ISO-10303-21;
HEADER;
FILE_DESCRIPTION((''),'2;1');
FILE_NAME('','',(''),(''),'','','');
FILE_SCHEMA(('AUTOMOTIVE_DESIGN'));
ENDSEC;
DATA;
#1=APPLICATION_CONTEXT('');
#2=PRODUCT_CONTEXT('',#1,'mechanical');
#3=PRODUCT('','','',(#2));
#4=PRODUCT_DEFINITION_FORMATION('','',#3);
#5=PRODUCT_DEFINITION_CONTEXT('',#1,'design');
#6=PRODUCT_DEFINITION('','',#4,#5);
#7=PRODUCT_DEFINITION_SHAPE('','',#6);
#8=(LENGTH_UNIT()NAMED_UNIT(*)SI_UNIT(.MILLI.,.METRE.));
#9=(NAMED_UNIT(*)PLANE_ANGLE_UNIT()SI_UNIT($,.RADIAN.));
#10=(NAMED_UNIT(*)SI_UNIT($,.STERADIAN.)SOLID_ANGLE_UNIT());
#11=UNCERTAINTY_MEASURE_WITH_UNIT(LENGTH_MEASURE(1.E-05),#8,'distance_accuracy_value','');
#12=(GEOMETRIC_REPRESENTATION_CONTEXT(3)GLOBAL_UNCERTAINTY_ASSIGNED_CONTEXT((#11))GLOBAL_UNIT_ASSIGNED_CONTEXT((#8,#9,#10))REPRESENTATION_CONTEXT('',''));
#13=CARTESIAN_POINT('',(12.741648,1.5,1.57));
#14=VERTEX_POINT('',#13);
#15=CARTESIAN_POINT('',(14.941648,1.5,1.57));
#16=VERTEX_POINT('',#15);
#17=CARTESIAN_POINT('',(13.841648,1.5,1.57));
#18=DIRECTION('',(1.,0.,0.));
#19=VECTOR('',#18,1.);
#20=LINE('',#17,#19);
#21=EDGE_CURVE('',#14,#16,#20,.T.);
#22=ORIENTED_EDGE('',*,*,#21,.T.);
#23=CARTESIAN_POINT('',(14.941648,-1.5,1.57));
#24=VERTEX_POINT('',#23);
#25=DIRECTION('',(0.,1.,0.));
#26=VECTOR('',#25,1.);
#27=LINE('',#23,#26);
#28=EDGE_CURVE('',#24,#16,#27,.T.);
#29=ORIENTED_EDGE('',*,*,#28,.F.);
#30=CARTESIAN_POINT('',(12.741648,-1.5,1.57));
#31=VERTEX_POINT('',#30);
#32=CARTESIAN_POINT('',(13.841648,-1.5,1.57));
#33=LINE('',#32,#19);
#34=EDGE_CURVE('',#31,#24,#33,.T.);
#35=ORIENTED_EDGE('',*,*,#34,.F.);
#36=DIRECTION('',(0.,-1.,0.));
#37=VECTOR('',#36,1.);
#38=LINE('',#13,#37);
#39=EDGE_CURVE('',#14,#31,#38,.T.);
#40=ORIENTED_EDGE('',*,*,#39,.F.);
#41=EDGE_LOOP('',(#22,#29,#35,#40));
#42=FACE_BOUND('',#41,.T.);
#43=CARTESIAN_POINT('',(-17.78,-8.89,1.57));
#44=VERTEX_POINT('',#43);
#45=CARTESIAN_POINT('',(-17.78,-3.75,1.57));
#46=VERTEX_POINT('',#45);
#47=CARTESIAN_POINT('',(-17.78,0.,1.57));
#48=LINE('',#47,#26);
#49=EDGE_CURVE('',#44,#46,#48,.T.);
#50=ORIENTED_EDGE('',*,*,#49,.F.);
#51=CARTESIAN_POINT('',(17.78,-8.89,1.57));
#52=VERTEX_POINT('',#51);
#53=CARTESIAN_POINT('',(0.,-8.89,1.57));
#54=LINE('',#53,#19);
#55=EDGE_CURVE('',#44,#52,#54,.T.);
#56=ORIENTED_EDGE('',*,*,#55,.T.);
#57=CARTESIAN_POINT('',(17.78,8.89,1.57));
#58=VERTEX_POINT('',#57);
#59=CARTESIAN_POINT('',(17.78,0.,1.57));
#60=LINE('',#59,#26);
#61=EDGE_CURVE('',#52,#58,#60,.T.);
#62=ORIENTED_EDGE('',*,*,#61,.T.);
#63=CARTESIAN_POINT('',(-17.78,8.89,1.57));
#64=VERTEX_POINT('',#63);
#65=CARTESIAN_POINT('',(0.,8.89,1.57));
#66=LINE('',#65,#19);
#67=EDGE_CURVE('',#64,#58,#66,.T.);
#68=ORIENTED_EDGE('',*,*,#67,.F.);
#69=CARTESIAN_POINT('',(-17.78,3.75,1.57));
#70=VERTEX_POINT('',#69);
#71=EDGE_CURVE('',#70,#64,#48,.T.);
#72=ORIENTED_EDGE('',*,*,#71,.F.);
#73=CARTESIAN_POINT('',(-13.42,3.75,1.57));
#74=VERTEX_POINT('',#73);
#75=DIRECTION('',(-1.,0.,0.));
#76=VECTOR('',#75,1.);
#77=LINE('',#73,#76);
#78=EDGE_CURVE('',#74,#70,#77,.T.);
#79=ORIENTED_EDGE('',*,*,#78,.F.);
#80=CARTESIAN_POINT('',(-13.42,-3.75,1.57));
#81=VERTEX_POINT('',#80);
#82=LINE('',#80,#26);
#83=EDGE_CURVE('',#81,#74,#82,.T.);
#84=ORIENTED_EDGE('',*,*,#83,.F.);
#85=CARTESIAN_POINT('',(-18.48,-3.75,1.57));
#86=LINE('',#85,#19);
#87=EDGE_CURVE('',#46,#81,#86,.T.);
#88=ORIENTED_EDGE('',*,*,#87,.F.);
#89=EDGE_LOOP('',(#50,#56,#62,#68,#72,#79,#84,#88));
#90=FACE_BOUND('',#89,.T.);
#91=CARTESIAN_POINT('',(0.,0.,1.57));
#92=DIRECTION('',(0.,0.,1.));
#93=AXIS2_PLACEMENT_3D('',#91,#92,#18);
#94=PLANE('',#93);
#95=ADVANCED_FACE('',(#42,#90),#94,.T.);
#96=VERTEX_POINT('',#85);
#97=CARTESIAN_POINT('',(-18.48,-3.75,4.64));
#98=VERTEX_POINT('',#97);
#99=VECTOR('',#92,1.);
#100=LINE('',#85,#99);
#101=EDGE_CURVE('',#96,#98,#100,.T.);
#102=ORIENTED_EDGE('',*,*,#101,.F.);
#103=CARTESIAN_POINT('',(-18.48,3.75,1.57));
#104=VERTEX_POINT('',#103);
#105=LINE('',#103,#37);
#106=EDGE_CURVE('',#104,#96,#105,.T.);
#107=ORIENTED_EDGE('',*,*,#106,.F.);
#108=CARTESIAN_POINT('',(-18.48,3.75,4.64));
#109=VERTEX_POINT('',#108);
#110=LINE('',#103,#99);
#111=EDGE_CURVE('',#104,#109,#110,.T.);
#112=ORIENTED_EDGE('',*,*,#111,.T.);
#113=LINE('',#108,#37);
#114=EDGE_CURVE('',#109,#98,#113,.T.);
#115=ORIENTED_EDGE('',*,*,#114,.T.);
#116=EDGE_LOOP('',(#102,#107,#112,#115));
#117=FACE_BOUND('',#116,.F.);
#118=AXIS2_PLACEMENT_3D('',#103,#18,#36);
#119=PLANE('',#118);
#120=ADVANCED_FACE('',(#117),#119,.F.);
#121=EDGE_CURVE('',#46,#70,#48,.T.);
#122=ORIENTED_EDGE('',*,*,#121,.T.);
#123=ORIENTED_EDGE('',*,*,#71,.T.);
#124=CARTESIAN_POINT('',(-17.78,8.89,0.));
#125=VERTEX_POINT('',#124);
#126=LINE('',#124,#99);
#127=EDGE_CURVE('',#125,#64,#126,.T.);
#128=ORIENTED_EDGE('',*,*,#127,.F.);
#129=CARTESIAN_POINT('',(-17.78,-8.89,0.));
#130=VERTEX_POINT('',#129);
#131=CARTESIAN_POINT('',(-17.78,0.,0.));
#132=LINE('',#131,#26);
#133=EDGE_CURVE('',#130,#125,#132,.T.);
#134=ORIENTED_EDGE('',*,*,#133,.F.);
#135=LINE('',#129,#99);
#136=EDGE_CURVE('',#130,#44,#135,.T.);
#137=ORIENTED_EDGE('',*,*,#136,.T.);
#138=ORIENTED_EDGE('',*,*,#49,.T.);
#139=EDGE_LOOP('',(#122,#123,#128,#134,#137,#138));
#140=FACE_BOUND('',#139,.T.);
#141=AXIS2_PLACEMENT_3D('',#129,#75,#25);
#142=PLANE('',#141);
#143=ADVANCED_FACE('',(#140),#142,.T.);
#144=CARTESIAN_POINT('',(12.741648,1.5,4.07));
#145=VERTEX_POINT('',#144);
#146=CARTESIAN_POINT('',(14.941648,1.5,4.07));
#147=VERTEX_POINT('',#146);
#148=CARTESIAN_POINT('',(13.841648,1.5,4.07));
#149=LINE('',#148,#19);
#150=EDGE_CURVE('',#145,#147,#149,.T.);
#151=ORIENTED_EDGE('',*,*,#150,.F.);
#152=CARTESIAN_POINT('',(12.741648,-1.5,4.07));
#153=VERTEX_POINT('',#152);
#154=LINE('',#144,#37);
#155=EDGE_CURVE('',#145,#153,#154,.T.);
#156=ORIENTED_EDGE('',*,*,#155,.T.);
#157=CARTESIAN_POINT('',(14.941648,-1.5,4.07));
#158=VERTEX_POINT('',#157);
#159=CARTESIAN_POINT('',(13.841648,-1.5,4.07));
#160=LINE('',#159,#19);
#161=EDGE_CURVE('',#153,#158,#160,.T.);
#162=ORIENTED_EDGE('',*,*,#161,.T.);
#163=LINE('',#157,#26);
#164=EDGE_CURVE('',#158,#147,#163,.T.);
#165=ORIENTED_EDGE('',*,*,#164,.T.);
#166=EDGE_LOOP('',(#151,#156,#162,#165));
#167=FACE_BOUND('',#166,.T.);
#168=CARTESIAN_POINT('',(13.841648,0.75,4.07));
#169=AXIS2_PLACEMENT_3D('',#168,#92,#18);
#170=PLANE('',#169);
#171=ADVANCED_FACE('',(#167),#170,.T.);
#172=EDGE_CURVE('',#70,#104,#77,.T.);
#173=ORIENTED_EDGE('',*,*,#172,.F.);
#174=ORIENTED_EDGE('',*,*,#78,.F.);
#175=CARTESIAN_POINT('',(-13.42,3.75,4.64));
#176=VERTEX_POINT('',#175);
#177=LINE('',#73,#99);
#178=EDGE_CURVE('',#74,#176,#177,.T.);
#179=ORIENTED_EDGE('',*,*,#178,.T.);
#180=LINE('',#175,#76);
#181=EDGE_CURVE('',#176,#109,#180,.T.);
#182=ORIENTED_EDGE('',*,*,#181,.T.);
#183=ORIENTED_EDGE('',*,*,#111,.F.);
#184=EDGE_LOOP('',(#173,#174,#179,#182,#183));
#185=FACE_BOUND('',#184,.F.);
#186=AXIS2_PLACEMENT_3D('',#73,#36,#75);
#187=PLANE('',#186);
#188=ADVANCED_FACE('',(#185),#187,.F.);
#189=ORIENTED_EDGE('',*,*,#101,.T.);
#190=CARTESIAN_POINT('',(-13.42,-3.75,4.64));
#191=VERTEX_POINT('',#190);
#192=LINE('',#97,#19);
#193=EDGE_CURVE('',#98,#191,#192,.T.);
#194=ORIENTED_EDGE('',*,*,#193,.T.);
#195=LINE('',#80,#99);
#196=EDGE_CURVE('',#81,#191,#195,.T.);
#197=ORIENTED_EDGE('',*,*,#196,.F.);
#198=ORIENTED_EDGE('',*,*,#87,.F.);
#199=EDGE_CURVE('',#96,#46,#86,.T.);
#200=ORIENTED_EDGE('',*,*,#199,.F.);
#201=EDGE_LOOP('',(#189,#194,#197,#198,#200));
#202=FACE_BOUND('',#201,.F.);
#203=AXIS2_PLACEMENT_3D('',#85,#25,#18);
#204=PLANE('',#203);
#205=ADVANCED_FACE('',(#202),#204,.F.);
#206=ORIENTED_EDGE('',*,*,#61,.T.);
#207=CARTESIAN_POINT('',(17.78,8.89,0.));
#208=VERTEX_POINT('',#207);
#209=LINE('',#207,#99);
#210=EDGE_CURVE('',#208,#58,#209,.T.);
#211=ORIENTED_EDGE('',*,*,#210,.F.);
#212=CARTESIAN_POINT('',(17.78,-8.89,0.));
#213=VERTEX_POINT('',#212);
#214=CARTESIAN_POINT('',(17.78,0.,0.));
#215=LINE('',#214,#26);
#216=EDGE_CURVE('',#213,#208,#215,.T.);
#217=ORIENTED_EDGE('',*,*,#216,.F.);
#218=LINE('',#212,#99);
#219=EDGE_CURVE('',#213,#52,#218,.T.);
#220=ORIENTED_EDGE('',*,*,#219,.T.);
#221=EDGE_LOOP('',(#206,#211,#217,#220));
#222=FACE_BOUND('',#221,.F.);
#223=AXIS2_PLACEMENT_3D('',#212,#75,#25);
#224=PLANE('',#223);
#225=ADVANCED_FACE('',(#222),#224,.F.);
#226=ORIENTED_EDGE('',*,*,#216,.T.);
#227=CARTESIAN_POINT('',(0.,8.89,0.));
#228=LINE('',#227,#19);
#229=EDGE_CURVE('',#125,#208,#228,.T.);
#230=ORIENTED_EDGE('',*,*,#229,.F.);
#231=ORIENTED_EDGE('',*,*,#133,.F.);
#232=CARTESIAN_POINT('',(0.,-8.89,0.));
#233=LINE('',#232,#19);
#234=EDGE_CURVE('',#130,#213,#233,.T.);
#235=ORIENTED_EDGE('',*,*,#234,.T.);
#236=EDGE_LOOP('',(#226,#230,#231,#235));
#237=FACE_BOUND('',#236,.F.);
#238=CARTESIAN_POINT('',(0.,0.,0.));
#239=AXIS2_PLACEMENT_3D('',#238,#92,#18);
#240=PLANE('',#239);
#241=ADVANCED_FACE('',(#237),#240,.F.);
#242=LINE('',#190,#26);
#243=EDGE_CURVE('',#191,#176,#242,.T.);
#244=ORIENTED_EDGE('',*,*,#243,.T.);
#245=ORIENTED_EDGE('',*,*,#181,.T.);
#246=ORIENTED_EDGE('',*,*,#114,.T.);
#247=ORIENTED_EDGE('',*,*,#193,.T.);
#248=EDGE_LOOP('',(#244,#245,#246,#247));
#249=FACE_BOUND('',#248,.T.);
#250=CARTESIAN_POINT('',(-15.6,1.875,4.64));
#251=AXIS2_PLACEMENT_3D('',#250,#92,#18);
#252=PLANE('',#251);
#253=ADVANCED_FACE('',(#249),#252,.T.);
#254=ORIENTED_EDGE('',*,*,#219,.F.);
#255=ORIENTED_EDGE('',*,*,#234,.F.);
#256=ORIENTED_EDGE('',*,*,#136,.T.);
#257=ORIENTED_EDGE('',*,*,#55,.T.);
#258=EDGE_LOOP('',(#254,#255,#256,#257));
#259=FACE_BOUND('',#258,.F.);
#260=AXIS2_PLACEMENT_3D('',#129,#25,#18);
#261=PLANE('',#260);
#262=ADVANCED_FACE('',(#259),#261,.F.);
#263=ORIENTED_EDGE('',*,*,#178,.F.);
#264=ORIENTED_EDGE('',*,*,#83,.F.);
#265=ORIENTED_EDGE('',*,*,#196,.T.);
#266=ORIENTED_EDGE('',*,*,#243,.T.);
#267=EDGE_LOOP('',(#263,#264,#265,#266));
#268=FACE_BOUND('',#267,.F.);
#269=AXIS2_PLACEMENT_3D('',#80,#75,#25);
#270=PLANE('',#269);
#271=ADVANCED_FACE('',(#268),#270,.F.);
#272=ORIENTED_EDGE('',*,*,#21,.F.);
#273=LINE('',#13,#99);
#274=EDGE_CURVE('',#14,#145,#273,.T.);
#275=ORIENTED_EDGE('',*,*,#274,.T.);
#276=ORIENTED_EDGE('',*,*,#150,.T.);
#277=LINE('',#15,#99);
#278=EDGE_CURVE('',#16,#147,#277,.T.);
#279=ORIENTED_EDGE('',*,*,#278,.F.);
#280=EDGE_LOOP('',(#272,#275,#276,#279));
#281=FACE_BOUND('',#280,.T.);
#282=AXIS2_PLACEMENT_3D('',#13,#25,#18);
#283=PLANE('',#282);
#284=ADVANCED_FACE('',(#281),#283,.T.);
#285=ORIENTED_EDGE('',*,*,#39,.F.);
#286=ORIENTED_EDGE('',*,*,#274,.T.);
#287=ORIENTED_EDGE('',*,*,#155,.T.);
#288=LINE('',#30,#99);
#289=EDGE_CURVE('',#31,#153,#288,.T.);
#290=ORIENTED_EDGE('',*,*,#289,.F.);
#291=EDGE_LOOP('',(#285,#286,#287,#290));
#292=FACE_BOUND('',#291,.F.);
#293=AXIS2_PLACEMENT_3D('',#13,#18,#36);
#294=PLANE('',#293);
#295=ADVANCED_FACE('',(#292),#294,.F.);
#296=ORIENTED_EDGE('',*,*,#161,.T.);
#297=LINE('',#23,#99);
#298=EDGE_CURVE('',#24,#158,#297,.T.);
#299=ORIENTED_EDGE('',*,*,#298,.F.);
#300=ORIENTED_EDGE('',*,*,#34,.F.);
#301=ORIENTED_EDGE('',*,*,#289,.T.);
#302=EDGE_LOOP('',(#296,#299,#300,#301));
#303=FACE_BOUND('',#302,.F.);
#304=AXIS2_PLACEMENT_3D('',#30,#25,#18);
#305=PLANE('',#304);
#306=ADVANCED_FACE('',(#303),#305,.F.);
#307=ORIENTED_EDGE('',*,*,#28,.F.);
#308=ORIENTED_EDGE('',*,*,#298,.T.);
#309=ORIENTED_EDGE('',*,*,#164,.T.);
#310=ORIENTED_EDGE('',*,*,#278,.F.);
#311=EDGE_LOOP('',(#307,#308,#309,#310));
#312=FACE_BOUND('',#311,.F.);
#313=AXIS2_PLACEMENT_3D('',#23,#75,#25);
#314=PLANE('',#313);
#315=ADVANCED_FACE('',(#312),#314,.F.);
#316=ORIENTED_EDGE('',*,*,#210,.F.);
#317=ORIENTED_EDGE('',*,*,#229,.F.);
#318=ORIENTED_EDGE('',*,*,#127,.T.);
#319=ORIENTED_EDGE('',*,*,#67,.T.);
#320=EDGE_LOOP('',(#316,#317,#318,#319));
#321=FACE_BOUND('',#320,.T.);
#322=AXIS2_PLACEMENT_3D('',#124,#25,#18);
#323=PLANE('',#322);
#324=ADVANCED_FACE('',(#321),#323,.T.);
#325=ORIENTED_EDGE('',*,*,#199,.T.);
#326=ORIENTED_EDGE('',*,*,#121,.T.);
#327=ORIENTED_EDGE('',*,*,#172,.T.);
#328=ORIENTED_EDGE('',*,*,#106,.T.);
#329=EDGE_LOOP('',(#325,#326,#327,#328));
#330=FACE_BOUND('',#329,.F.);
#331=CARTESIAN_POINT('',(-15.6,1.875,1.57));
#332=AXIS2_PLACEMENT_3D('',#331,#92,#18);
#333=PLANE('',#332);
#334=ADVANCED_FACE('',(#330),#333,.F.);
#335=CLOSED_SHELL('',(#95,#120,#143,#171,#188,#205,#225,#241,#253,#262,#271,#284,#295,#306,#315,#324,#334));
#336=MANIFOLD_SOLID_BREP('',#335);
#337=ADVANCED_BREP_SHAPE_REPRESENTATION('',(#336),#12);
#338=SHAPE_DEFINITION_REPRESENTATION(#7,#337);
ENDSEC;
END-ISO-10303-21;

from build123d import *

# Parameters (mm, degrees)
F0_W     = 35.56
F0_H     = 17.78
F1_DEPTH = 1.57
F2_W     = 4.36
F2_H     = 3.75
F3_DEPTH = 3.07
F2_W_2   = 2.2
F2_H_2   = 1.5
F4_DEPTH = 2.5


with BuildPart() as f1:
    # F0 (on Top) → F1 (new body)
    with BuildSketch(Plane.XY):
        Rectangle(F0_W, F0_H)
    extrude(amount=F1_DEPTH)

    # F2 (on face) → F3 (join)
    with BuildSketch(Plane.XY.offset(1.57)):
        with Locations((-15.6, 1.875)):
            Rectangle(F2_W, F2_H)
        Polygon((-17.78, -3.75), (-17.78, 0), (-17.78, 3.75), (-18.48, 3.75), (-18.48, -3.75), align=None)
        with Locations((-15.6, -1.875)):
            Rectangle(F2_W, F2_H)
    extrude(amount=F3_DEPTH)

    # F2 (on face) → F4 (join)
    with BuildSketch(Plane.XY.offset(1.57)):
        with Locations((13.841648, 0.75)):
            Rectangle(F2_W_2, F2_H_2)
        with Locations((13.841648, -0.75)):
            Rectangle(F2_W_2, F2_H_2)
    extrude(amount=F4_DEPTH)


solid = f1.part
